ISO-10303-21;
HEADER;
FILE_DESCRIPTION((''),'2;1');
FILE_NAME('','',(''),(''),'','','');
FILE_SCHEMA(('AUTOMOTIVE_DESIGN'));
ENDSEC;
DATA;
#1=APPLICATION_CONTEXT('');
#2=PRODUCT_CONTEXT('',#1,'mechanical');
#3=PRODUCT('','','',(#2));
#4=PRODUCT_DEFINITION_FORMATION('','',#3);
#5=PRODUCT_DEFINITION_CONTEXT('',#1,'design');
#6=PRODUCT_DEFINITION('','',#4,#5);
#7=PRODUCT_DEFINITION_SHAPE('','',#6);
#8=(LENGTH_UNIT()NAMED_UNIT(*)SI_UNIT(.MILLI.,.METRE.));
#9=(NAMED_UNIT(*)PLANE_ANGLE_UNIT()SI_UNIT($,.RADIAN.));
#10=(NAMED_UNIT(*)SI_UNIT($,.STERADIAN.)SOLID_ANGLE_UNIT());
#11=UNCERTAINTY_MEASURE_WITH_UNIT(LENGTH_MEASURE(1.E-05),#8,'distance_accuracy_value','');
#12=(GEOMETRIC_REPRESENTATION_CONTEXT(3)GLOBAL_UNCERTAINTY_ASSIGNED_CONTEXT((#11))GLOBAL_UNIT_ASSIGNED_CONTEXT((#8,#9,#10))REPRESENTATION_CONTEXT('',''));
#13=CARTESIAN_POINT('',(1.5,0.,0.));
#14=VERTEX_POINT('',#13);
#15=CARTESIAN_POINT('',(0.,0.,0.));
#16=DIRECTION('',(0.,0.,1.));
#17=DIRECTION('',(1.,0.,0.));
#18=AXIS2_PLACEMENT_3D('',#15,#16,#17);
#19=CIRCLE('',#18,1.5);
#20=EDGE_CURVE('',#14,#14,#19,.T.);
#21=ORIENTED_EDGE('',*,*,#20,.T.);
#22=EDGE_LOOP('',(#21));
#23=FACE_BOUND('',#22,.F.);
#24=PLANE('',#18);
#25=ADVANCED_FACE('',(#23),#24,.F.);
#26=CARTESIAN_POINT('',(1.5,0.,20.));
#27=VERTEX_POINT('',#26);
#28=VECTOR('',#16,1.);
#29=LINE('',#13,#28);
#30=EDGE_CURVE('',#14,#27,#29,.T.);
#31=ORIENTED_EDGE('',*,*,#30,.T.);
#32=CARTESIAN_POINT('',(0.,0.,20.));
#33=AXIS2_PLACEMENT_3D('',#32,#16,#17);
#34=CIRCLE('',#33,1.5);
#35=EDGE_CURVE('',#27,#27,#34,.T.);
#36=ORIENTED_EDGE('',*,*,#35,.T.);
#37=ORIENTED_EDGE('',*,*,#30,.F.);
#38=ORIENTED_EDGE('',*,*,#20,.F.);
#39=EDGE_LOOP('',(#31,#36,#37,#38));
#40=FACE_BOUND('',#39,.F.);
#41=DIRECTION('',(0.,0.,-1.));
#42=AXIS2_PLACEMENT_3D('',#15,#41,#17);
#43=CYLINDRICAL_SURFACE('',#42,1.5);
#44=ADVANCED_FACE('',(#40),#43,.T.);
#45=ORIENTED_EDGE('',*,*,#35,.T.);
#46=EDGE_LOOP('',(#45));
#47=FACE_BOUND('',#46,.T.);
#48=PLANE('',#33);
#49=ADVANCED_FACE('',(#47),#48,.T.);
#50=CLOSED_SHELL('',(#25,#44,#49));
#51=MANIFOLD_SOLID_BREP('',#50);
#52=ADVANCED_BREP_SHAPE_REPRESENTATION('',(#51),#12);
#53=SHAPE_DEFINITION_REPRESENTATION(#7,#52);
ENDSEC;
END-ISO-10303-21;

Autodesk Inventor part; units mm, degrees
ref_plane "YZ Plane" through (0, 0, 0) normal (1, 0, 0) x (0, 1, 0)
ref_plane "XZ Plane" through (0, 0, 0) normal (0, 1, 0) x (-1, 0, 0)
ref_plane "XY Plane" through (0, 0, 0) normal (0, 0, 1) x (1, 0, 0)
sketch "スケッチ1" plane through (0, 0, 0) normal (0, 0, 1) x (1, 0, 0)
  circle A0 centre (0, 0) radius 1.5
  dimension "d0" = 3
extrude "押し出し1" add sketch "スケッチ1" along normal blind 20
properties part number "ステンレス平行ピンΦ3h7_18"
